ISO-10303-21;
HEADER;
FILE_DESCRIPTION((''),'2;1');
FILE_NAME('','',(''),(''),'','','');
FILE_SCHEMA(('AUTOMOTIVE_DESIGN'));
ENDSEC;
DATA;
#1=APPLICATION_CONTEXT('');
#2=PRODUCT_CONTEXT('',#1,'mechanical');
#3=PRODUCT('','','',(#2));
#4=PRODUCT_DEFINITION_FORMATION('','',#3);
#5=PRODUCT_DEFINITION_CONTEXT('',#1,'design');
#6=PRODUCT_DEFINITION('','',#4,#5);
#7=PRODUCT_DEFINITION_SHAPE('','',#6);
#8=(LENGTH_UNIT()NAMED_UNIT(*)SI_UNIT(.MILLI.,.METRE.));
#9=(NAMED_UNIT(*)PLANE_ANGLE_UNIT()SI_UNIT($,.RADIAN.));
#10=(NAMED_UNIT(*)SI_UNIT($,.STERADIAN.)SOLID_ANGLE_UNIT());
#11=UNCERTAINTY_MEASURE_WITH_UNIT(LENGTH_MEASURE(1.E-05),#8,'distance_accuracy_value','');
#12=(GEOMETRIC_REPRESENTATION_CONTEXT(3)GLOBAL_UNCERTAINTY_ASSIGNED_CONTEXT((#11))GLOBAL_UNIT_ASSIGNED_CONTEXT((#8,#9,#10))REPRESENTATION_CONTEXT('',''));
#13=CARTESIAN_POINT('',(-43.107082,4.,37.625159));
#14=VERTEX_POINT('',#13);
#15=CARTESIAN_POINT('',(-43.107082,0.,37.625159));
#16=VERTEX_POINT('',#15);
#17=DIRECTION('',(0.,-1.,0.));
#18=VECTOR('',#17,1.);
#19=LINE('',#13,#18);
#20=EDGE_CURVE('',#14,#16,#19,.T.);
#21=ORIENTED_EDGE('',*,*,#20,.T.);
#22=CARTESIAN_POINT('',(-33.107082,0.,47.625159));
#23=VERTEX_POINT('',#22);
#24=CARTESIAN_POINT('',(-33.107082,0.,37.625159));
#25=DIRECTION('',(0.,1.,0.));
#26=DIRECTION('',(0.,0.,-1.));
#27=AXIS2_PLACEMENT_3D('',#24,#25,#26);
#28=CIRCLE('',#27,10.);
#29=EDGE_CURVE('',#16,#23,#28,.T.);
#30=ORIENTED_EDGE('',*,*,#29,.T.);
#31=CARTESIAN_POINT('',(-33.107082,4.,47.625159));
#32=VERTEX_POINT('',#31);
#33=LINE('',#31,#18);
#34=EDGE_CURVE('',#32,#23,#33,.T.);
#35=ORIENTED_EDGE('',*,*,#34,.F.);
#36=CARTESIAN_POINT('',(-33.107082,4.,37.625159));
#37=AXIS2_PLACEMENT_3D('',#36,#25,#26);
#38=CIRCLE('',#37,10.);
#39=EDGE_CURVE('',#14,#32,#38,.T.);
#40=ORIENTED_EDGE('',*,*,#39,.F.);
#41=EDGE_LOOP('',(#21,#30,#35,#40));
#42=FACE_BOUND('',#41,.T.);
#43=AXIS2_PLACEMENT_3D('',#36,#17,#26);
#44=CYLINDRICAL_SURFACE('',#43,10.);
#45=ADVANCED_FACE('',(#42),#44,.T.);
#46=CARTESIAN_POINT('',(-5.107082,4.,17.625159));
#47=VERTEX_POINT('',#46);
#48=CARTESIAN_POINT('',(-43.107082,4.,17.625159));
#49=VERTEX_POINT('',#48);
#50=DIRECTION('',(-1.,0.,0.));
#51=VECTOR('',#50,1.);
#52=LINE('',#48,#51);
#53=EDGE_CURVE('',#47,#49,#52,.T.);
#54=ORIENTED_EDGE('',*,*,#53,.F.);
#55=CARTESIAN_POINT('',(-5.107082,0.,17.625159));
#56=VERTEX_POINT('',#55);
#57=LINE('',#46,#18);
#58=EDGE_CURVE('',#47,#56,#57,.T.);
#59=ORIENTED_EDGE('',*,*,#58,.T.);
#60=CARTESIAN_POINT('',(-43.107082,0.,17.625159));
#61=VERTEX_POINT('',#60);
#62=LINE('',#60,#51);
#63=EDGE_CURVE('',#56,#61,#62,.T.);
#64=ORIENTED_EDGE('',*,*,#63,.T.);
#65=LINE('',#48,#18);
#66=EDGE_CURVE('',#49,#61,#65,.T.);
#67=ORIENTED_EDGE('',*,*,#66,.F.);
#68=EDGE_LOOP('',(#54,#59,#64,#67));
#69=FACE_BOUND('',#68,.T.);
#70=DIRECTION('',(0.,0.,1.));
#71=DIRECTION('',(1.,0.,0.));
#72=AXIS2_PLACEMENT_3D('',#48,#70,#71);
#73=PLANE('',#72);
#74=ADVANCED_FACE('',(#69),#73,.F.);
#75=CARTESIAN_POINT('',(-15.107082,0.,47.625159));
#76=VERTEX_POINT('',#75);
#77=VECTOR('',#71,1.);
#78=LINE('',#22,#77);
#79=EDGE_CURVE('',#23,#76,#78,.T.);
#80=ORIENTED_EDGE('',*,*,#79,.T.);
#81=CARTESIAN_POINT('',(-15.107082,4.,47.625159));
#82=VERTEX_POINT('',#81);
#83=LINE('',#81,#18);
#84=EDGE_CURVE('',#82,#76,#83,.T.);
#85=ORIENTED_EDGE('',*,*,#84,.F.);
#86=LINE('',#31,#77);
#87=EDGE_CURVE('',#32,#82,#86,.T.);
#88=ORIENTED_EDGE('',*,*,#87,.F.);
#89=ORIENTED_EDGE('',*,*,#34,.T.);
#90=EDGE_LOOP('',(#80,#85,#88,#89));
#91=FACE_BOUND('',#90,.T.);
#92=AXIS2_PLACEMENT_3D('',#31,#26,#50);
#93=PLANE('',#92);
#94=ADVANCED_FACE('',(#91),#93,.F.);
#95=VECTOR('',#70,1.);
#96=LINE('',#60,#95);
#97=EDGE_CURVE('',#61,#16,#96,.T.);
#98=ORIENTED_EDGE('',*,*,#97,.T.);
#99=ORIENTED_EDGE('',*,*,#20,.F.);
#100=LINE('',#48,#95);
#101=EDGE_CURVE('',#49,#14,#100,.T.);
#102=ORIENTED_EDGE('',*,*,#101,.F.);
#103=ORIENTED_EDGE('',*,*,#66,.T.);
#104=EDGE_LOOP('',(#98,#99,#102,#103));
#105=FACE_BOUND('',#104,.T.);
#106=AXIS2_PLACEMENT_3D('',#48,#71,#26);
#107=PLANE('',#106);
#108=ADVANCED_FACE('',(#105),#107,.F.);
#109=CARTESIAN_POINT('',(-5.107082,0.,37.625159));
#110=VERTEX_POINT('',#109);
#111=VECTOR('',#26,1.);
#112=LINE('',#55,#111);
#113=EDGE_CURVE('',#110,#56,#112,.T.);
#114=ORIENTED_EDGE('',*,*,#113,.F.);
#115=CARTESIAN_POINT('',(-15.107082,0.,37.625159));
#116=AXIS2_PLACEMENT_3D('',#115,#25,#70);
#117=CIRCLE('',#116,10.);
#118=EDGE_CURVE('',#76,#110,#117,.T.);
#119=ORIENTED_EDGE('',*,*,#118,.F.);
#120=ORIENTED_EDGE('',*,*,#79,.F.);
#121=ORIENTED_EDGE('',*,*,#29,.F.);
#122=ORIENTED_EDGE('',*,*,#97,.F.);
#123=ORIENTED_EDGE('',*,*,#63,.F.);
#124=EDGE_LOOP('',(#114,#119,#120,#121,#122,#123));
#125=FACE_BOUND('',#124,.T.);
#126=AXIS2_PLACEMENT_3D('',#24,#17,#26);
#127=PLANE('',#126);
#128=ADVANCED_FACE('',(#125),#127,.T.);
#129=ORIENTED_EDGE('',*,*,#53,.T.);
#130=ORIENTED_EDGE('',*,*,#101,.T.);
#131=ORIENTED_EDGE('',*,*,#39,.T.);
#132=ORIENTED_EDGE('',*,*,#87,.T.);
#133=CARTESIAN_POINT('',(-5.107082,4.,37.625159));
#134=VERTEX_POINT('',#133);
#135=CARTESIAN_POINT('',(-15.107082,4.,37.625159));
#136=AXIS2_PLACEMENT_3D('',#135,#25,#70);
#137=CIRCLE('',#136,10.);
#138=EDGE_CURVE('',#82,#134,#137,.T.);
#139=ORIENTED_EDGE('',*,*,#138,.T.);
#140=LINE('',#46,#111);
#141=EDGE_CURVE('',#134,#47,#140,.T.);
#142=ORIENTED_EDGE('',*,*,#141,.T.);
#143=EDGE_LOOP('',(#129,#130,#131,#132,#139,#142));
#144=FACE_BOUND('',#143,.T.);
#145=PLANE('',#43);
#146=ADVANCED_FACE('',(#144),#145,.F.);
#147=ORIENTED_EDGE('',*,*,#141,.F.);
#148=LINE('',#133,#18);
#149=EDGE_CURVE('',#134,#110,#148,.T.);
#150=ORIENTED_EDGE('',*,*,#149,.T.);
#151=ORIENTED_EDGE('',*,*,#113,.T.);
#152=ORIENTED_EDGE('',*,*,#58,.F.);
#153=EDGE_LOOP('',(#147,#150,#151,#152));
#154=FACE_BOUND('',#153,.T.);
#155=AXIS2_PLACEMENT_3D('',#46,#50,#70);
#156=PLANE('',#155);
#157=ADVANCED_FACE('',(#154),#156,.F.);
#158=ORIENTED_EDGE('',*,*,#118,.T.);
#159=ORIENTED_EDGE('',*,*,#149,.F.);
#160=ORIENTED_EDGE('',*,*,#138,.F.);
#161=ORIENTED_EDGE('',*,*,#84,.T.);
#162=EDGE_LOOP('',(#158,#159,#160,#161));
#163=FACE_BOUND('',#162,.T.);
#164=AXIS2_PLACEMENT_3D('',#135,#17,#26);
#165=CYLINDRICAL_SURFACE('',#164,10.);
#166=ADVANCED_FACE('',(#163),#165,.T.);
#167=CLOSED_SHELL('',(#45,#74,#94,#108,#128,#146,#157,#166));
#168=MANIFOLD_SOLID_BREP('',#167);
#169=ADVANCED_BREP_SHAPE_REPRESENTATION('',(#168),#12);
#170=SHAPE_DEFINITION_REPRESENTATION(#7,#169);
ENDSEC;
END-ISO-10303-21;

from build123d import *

# Parameters (mm, degrees)
SALIENTE_EXTRUIR1_DEPTH = 4


with BuildPart() as part:
    # Croquis2 → Saliente-Extruir1 (new body)
    with BuildSketch(Plane(origin=(0, 0, 0), x_dir=(1, 0, 0), z_dir=(0, 1, 0))):
        with BuildLine():
            Line((-43.107082341, -17.625158928), (-5.107082341, -17.625158928))
            Line((-5.107082341, -17.625158928), (-5.107082341, -37.625158928))
            ThreePointArc((-5.107082341, -37.625158928), (-8.036014529, -44.69622674), (-15.107082341, -47.625158928))
            Line((-15.107082341, -47.625158928), (-33.107082341, -47.625158928))
            ThreePointArc((-33.107082341, -47.625158928), (-40.178150153, -44.69622674), (-43.107082341, -37.625158928))
            Line((-43.107082341, -37.625158928), (-43.107082341, -17.625158928))
        make_face()
    extrude(amount=SALIENTE_EXTRUIR1_DEPTH)


solid = part.part
